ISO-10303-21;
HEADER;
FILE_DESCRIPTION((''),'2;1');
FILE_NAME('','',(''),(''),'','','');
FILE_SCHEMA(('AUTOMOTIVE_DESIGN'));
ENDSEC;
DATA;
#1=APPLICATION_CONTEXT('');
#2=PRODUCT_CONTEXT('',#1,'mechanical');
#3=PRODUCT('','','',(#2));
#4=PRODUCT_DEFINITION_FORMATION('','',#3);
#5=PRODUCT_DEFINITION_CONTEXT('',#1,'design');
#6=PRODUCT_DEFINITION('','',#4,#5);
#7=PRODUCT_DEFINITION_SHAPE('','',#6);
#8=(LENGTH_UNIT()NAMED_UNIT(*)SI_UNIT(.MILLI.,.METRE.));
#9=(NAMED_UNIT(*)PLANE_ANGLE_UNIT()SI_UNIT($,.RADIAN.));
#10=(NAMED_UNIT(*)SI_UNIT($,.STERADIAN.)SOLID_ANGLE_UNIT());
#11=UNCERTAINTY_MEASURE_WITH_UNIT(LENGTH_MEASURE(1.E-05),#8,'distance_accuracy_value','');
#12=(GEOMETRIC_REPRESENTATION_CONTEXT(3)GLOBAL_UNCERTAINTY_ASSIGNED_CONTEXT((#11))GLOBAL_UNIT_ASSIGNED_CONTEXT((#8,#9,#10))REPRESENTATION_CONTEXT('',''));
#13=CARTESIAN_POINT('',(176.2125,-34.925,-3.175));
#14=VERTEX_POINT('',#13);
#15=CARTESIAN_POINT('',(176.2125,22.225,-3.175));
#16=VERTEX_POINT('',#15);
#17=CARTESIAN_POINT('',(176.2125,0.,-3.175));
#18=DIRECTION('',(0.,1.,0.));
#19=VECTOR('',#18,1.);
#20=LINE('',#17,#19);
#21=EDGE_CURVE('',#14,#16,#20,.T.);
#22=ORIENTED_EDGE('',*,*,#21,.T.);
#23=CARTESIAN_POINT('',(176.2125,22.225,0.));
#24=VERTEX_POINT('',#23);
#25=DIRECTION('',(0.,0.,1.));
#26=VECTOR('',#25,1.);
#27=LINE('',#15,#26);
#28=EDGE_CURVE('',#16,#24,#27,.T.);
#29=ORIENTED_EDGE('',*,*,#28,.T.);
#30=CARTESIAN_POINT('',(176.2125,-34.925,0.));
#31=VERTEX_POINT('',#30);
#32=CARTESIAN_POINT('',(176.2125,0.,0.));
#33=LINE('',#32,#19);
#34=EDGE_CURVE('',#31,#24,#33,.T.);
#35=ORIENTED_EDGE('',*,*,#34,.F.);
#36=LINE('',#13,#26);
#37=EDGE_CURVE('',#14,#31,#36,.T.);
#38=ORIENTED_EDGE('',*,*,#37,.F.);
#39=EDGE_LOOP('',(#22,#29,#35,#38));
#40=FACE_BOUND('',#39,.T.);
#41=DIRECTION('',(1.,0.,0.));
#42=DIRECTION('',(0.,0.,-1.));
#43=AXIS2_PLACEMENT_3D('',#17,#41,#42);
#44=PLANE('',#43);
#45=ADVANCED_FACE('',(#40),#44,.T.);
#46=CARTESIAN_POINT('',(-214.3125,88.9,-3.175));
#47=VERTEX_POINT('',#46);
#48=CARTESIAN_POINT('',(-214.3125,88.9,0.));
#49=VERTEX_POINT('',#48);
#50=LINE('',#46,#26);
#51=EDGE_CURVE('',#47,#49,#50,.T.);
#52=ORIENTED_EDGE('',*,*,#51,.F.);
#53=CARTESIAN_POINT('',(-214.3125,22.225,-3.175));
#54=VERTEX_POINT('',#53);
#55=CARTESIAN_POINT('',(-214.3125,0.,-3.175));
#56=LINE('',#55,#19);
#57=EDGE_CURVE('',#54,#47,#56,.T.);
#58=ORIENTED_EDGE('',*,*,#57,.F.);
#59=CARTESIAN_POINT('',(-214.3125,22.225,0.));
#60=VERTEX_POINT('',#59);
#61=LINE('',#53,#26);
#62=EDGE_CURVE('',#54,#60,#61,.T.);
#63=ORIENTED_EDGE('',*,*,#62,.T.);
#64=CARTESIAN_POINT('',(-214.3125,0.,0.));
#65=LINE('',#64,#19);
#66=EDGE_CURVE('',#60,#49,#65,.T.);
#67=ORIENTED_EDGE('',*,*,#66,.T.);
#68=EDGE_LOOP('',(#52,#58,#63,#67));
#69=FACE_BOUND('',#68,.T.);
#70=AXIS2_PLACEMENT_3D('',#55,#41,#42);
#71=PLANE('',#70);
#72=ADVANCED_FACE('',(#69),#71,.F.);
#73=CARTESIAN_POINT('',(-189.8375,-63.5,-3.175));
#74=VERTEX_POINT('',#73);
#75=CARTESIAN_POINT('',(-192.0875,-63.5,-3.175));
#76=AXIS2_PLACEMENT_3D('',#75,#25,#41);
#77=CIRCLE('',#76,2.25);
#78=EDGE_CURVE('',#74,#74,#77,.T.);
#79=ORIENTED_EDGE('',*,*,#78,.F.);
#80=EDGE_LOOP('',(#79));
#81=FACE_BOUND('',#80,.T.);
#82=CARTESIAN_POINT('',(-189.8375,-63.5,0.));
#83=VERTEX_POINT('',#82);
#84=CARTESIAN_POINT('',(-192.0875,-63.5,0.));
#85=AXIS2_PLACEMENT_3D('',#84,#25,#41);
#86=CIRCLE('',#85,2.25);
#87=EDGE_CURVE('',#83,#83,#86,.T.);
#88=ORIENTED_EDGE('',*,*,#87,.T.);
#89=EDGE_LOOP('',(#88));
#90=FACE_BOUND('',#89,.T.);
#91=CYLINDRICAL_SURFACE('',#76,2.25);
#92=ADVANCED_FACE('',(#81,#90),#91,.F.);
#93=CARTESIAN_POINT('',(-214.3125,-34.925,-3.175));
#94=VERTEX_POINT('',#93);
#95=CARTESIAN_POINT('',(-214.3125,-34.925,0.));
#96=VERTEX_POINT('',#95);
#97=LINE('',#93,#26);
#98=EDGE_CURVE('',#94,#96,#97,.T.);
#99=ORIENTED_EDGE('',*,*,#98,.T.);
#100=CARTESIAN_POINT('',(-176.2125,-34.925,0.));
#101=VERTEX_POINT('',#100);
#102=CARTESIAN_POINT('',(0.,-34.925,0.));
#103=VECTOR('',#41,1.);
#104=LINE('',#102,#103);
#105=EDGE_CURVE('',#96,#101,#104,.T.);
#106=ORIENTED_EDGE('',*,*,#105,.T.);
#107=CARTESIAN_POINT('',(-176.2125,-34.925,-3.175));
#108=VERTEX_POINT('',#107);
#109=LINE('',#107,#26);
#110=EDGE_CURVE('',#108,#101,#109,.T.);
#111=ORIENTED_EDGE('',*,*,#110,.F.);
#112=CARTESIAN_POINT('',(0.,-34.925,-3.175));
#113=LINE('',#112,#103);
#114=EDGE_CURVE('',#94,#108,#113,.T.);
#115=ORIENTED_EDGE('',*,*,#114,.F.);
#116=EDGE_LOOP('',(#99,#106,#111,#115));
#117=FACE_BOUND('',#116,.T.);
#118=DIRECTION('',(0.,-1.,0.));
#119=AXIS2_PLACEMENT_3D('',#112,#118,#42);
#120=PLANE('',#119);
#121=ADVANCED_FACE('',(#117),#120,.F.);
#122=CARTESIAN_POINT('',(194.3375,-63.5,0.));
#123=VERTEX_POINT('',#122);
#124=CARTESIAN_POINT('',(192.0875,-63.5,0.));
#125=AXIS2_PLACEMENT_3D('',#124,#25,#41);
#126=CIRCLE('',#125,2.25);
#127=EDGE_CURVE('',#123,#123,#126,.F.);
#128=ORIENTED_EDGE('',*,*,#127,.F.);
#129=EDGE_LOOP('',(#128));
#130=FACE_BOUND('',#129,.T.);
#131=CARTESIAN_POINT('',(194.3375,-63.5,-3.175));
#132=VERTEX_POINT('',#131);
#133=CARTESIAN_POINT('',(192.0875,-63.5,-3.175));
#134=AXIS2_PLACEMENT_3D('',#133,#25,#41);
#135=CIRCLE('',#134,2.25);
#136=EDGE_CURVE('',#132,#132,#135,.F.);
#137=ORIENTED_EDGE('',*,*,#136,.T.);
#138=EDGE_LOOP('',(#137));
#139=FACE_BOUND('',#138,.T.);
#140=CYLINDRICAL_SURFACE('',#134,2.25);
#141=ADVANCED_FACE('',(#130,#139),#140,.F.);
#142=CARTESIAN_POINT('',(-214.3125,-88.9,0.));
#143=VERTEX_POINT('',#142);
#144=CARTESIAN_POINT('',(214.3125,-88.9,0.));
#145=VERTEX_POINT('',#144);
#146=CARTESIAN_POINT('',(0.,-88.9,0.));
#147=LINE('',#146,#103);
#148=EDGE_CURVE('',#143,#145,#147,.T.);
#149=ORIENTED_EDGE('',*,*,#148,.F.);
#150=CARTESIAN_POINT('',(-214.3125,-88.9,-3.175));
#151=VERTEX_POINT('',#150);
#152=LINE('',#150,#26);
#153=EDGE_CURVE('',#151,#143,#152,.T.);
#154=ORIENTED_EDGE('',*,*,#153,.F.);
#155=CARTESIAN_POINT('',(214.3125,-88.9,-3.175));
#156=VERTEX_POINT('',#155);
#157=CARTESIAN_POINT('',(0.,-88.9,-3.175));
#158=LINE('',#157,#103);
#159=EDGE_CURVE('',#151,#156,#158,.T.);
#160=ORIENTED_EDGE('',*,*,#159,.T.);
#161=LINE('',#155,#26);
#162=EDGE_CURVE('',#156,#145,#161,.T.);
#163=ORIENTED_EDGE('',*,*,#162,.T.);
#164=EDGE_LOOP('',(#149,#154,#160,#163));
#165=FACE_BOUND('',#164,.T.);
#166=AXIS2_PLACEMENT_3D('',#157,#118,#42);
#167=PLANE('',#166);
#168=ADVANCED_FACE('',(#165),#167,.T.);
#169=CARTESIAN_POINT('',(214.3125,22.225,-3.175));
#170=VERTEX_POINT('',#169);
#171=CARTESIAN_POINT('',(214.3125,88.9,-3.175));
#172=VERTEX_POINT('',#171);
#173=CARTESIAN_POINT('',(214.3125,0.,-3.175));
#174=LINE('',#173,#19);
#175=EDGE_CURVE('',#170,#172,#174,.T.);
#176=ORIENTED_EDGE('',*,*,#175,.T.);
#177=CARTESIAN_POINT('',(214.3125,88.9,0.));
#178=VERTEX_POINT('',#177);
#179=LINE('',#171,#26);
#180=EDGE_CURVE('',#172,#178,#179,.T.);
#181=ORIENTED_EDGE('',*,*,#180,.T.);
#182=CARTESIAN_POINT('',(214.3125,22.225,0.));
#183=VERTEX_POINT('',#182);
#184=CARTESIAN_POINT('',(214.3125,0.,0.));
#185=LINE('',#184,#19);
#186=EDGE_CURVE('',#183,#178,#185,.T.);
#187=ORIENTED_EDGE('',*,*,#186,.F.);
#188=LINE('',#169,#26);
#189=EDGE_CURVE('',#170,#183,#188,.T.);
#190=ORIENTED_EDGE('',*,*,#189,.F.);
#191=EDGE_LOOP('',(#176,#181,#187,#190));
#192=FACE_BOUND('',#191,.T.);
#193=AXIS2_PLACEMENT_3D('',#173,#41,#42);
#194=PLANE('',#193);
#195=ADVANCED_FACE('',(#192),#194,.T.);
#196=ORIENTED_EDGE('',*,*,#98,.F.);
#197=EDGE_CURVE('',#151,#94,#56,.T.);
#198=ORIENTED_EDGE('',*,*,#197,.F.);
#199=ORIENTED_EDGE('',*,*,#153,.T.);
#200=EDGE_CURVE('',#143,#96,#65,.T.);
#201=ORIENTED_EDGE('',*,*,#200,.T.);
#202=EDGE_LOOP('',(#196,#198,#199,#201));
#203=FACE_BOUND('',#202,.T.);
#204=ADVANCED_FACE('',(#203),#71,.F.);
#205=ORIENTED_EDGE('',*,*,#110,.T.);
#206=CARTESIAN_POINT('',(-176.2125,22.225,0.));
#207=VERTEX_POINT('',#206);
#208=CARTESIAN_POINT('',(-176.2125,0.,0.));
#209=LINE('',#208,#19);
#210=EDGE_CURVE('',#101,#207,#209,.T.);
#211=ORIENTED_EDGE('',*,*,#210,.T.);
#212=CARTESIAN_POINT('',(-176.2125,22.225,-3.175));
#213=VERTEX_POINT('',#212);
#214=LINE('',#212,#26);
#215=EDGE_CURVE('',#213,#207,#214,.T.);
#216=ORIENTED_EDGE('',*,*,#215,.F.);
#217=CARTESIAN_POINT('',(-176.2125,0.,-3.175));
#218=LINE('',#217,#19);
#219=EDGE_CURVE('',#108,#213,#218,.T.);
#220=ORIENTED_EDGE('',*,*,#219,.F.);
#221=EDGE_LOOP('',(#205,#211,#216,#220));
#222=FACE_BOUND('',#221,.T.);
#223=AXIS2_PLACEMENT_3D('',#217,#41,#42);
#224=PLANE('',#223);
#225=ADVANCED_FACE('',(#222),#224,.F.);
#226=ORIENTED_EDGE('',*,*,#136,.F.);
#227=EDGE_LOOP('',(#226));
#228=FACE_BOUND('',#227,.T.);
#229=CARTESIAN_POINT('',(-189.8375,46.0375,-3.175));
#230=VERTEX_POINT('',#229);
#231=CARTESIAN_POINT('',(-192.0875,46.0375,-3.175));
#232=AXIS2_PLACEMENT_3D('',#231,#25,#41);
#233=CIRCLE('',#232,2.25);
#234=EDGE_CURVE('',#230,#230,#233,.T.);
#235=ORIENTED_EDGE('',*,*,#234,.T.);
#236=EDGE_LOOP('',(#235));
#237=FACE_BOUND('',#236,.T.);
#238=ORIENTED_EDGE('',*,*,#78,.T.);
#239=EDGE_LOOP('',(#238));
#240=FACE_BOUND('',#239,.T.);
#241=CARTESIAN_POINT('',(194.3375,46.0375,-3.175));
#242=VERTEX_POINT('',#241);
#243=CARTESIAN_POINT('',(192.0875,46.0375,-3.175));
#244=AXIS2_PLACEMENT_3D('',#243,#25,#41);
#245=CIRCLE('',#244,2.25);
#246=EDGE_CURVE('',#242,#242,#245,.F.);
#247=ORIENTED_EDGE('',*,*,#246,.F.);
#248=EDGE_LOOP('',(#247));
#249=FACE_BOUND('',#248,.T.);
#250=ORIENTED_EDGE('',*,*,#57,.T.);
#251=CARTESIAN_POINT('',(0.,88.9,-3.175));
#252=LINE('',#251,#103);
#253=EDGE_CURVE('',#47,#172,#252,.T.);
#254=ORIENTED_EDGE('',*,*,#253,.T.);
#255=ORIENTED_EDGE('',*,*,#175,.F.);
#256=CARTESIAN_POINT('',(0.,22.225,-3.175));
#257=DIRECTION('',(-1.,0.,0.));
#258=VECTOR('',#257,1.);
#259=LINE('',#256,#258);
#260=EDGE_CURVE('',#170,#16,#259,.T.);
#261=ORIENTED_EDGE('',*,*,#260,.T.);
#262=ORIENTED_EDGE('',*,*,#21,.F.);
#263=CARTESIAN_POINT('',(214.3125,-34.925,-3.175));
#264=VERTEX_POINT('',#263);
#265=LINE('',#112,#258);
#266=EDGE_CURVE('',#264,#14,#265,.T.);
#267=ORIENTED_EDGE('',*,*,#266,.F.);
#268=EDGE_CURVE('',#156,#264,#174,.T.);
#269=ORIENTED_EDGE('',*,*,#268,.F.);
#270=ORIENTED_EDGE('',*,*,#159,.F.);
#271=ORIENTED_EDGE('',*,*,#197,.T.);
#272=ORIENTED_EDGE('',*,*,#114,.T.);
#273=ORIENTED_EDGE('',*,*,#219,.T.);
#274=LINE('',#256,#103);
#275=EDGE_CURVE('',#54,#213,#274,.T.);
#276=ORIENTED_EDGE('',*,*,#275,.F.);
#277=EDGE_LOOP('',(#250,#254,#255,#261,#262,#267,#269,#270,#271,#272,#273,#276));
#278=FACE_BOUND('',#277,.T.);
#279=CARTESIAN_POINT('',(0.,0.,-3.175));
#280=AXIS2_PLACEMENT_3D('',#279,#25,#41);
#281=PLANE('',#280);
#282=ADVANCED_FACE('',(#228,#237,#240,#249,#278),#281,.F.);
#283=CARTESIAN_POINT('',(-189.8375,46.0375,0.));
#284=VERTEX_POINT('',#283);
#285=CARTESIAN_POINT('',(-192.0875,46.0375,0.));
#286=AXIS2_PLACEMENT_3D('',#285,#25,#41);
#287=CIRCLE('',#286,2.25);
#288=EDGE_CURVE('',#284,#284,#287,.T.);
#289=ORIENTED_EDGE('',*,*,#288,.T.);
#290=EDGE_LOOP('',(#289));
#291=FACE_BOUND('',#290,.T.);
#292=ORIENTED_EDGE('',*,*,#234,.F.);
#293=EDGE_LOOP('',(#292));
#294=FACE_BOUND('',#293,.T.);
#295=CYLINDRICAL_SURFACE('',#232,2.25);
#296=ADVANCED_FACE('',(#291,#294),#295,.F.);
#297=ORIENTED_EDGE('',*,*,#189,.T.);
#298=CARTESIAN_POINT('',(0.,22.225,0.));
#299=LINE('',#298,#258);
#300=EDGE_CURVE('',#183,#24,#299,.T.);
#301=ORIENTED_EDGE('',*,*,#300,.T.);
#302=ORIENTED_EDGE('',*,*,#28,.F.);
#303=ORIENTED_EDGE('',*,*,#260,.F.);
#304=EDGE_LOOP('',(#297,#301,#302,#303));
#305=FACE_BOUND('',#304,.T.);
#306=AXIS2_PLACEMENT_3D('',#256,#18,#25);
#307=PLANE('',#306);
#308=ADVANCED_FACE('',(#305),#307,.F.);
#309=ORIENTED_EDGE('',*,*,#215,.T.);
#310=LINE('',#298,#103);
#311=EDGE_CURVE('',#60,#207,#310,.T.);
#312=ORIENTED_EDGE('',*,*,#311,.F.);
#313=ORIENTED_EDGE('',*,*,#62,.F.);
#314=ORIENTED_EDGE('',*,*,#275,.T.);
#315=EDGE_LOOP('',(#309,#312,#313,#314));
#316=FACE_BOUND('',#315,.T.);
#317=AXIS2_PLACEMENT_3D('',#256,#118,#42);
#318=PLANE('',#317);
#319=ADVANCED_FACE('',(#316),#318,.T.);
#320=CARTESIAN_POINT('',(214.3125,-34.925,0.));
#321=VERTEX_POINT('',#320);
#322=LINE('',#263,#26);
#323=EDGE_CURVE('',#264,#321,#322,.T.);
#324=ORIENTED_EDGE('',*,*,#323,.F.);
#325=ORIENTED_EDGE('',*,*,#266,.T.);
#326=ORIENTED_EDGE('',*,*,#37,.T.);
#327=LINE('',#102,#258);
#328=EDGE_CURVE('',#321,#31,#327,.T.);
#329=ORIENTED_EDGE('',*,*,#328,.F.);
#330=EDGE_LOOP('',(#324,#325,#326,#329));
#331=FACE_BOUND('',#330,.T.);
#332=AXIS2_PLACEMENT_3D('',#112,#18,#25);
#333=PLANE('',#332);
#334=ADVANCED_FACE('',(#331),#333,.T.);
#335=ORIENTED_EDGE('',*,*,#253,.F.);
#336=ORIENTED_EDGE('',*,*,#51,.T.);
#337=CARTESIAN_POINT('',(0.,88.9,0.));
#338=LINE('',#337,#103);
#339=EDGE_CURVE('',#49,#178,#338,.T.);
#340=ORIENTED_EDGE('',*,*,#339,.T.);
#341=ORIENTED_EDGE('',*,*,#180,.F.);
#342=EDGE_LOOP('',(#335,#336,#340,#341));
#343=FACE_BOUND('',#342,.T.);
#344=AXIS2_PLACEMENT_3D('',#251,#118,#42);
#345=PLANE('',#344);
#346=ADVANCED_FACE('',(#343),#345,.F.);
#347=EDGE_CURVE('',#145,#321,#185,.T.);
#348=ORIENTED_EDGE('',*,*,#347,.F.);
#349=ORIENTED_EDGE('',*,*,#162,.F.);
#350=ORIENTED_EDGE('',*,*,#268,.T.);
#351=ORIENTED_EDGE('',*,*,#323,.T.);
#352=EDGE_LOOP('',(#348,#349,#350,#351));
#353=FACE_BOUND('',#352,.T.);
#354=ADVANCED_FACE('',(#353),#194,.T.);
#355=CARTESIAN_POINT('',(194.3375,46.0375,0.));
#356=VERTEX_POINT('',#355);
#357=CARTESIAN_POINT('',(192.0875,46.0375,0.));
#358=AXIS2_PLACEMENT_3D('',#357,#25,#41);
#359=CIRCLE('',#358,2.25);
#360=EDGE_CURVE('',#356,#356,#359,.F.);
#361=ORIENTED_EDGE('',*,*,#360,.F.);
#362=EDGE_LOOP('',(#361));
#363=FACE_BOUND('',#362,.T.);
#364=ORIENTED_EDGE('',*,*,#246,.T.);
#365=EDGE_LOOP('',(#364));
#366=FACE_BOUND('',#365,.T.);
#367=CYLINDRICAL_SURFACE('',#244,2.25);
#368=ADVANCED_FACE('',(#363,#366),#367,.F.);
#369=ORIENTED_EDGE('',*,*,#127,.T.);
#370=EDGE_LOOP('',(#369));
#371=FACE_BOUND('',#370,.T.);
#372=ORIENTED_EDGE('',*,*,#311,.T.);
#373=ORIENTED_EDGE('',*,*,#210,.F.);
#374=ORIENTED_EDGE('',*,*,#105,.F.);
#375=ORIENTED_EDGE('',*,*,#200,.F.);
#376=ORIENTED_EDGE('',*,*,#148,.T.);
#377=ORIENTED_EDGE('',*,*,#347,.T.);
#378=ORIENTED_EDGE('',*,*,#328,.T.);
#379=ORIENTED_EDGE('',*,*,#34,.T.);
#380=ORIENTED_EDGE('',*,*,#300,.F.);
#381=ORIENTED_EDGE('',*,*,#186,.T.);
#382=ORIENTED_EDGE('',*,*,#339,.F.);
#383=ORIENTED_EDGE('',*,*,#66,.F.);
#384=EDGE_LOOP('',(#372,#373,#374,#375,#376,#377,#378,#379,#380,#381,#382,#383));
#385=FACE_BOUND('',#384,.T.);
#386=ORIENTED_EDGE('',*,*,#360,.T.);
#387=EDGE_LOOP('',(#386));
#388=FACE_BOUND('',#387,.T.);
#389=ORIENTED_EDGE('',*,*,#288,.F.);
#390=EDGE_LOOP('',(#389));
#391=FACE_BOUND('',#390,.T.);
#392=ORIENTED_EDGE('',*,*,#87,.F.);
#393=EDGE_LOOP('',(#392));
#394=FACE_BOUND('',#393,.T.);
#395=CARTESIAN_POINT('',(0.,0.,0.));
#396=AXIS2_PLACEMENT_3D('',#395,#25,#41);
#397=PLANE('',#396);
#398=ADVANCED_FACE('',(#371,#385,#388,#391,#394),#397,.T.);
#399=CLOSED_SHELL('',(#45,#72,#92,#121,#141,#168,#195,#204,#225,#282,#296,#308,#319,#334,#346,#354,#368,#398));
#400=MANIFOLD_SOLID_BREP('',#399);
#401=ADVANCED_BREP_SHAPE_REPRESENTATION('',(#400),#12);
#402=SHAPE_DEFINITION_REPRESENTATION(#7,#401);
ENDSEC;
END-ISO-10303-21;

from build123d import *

# Parameters (mm, degrees)
SKETCH1_R           = 2.25
BOSS_EXTRUDE1_DEPTH = 3.175


with BuildPart() as part:
    # Sketch1 → Boss-Extrude1 (new body)
    with BuildSketch(Plane.XY):
        Polygon((-214.3125, -34.925), (-214.3125, -88.9), (214.3125, -88.9), (214.3125, -34.925), (176.2125, -34.925), (176.2125, 22.225), (214.3125, 22.225), (214.3125, 88.9), (-214.3125, 88.9), (-214.3125, 22.225), (-176.2125, 22.225), (-176.2125, -34.925), align=None)
        with Locations((-192.0875, -63.5)):
            Circle(SKETCH1_R, mode=Mode.SUBTRACT)
        with Locations((192.0875, -63.5)):
            Circle(SKETCH1_R, mode=Mode.SUBTRACT)
        with Locations((-192.0875, 46.0375)):
            Circle(SKETCH1_R, mode=Mode.SUBTRACT)
        with Locations((192.0875, 46.0375)):
            Circle(SKETCH1_R, mode=Mode.SUBTRACT)
    extrude(amount=-BOSS_EXTRUDE1_DEPTH)


solid = part.part
